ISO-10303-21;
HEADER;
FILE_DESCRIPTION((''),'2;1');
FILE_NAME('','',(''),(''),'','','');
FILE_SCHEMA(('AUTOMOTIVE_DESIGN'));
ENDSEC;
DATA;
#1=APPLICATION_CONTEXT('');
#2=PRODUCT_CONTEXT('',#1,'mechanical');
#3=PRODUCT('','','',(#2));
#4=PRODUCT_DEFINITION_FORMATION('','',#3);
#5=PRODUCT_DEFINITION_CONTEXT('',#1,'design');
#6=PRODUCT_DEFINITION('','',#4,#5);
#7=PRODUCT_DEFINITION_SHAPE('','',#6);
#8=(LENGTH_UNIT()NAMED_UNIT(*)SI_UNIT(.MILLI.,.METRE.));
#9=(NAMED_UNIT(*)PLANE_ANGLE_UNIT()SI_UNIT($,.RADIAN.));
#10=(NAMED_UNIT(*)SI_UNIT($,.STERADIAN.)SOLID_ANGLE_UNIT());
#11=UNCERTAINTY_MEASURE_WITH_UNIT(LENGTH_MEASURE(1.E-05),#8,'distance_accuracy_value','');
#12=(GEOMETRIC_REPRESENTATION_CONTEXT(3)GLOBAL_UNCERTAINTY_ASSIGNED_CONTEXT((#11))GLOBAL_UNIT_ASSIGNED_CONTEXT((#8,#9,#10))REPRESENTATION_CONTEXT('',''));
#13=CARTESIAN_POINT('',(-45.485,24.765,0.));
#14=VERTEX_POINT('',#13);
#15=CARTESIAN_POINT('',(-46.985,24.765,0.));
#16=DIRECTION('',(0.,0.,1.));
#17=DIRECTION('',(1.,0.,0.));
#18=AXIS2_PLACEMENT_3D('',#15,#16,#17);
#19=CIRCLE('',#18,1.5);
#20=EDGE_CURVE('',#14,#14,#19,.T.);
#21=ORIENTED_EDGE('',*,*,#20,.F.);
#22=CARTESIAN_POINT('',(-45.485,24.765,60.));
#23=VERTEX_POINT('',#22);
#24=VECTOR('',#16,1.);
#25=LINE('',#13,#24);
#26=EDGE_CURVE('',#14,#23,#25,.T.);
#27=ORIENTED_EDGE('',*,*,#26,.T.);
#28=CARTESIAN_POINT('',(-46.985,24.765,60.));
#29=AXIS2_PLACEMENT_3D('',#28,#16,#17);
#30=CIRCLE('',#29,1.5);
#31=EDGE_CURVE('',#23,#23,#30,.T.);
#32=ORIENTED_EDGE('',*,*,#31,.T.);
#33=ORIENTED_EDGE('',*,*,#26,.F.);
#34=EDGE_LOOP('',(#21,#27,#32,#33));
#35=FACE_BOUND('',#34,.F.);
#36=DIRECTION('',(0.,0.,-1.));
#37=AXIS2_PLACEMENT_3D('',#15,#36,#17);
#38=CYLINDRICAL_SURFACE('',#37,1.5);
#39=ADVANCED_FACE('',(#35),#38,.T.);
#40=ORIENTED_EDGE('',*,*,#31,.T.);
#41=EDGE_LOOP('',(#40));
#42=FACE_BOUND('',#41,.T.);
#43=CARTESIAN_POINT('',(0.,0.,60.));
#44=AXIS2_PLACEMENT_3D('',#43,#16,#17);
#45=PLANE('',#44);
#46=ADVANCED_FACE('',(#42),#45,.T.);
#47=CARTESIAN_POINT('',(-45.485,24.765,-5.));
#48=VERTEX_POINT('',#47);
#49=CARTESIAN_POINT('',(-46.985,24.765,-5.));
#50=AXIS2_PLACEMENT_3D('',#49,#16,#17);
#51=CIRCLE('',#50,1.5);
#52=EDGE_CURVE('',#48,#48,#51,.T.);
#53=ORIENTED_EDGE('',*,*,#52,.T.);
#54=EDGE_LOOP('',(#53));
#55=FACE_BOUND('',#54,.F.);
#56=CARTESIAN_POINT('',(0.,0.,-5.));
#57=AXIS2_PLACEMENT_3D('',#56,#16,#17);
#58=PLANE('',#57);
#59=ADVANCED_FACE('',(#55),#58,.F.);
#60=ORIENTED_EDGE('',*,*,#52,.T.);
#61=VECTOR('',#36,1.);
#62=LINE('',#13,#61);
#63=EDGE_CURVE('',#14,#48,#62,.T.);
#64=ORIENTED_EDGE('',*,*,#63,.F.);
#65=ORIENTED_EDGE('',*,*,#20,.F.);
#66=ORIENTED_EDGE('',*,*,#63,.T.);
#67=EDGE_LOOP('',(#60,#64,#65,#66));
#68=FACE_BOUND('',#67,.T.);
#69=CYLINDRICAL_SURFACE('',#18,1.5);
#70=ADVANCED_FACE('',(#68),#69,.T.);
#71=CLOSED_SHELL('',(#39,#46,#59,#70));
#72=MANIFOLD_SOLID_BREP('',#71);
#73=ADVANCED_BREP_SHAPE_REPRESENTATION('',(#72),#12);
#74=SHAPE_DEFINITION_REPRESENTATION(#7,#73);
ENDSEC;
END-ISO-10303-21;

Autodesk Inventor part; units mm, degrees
ref_plane "YZ Plane" through (0, 0, 0) normal (1, 0, 0) x (0, 1, 0)
ref_plane "XZ Plane" through (0, 0, 0) normal (0, 1, 0) x (-1, 0, 0)
ref_plane "Work Plane1" through (0, 0, 0) normal (0, 0, 1) x (1, 0, 0)
sketch "Sketch1" plane through (0, 0, 0) normal (0, 0, 1) x (1, 0, 0)
  circle A0 centre (-46.985, 24.765) radius 1.5
  point P0 (0, 0)
  dimension "d0" = 3
extrude "Extrusion1" add sketch "Sketch1" along normal blind 60 and the other way blind 5
thread "Thread1" size "M3x0.5" class "6g" standard "ANSI Metric M Profile" full length
properties part number "threaded-rod01"
